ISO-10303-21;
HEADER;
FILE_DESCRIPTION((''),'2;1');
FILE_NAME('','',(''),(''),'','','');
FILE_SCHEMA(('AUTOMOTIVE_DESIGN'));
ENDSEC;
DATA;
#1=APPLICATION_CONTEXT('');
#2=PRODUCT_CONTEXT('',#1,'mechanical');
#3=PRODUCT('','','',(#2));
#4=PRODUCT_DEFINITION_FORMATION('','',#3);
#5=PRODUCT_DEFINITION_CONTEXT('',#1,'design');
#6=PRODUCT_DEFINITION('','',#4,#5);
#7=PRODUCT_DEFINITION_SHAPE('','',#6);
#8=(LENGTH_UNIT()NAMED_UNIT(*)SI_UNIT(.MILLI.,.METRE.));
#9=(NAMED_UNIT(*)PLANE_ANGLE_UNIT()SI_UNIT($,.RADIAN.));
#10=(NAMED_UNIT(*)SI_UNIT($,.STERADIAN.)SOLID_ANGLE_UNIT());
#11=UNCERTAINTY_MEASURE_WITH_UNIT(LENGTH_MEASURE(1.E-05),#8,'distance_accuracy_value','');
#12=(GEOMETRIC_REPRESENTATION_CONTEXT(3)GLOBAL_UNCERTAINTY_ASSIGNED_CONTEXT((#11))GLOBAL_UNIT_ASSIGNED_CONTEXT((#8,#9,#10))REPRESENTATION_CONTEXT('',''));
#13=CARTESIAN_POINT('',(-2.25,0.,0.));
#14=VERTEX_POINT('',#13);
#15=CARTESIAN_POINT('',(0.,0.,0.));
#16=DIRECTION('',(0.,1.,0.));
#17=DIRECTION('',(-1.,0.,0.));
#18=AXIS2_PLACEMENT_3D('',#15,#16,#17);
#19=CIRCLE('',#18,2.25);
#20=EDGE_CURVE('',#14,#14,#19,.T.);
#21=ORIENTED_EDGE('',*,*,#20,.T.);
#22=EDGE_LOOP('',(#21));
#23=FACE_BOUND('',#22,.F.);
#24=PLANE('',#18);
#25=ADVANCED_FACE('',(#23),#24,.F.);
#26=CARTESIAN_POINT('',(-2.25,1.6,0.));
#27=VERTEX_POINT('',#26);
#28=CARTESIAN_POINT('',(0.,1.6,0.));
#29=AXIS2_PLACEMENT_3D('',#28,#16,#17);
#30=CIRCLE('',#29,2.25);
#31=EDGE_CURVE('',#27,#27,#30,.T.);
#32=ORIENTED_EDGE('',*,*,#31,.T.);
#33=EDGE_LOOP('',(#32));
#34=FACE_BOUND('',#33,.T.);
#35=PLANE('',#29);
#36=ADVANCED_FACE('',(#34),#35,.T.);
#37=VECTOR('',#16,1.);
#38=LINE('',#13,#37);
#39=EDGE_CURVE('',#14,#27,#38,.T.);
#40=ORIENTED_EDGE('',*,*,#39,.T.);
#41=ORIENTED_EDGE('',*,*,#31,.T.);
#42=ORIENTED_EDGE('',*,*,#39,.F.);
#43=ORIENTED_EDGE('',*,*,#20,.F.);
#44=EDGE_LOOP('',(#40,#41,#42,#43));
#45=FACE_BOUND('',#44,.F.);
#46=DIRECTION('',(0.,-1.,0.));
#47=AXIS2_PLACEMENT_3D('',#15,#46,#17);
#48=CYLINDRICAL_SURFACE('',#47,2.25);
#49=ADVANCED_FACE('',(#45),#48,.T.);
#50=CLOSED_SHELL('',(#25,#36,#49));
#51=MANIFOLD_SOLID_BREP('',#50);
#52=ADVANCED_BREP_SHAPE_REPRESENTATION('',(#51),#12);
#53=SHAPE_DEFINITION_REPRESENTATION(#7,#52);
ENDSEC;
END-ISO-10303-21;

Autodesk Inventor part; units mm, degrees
ref_plane "YZ Plane" through (0, 0, 0) normal (1, 0, 0) x (0, 1, 0)
ref_plane "XZ Plane" through (0, 0, 0) normal (0, 1, 0) x (-1, 0, 0)
ref_plane "XY Plane" through (0, 0, 0) normal (0, 0, 1) x (1, 0, 0)
sketch "Szkic1" plane through (0, 0, 0) normal (0, 1, 0) x (-1, 0, 0)
  circle A0 centre (0, 0) radius 2.25
  dimension "d0" = 4.5
extrude "Wyciągnięcie proste1" add sketch "Szkic1" along normal blind 1.6
properties part number "zawiasik"
